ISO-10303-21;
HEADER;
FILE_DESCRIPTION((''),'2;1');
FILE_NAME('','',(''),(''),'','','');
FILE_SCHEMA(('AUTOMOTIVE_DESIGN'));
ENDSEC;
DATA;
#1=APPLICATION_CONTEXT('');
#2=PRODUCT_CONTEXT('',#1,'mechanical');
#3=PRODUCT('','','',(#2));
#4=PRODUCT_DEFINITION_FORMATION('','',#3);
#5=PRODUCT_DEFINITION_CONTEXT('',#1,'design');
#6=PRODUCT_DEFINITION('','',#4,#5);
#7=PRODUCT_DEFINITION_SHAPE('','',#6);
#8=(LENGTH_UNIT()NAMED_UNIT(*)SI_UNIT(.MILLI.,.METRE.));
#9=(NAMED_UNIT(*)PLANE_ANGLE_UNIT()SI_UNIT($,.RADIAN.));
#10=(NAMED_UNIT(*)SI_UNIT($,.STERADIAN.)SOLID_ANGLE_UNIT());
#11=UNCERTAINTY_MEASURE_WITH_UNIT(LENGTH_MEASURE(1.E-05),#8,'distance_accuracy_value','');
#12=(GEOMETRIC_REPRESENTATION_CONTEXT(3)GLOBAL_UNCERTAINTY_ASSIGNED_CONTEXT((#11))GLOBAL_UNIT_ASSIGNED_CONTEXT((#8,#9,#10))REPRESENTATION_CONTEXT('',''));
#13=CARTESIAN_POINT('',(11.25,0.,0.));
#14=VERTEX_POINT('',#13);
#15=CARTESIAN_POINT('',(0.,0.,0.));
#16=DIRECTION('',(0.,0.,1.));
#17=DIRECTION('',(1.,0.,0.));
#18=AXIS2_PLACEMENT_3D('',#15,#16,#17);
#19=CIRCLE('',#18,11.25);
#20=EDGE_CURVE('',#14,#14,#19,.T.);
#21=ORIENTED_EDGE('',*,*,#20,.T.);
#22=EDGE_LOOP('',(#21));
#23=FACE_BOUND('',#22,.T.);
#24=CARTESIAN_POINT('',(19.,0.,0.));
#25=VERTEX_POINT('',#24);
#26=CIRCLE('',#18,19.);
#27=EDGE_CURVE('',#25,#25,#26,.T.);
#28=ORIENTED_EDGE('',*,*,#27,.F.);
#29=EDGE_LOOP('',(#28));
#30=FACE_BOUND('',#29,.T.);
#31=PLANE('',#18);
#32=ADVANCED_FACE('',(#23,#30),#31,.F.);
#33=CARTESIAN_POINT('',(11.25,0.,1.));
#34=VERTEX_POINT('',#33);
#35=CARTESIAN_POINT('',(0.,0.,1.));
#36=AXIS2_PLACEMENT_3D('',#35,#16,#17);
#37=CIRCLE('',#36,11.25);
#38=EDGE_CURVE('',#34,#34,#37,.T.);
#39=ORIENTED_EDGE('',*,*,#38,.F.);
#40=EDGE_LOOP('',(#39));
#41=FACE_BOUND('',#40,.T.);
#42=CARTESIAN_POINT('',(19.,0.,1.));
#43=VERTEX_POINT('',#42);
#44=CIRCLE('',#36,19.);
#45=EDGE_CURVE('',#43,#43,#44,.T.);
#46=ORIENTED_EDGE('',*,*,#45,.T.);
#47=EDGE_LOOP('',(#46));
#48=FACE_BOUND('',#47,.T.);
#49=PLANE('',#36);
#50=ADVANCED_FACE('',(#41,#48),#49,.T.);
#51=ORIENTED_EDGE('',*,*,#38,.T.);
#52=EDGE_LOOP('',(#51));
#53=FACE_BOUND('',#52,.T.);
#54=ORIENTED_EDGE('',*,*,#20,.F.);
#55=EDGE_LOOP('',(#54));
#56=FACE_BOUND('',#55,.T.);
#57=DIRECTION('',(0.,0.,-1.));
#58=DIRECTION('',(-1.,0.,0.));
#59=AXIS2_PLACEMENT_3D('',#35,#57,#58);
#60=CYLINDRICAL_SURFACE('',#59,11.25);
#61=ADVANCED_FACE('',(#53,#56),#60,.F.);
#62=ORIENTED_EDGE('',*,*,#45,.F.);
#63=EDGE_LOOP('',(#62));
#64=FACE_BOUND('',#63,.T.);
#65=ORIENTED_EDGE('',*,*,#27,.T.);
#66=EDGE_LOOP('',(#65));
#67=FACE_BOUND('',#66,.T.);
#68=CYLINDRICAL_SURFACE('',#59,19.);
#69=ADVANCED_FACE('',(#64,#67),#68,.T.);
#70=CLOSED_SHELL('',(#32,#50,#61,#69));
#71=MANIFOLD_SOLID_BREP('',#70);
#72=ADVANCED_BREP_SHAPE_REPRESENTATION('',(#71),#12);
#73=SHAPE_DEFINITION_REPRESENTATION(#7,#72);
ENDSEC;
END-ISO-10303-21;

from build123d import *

# Parameters (mm, degrees)
SCHIZZO1_R                   = 19
SCHIZZO1_R_2                 = 11.25
ESTRUSIONE_ESTRUSIONE1_DEPTH = 1


with BuildPart() as part:
    # Schizzo1 → Estrusione-Estrusione1 (new body)
    with BuildSketch(Plane.XY):
        Circle(SCHIZZO1_R)
        Circle(SCHIZZO1_R_2, mode=Mode.SUBTRACT)
    extrude(amount=ESTRUSIONE_ESTRUSIONE1_DEPTH)


solid = part.part
